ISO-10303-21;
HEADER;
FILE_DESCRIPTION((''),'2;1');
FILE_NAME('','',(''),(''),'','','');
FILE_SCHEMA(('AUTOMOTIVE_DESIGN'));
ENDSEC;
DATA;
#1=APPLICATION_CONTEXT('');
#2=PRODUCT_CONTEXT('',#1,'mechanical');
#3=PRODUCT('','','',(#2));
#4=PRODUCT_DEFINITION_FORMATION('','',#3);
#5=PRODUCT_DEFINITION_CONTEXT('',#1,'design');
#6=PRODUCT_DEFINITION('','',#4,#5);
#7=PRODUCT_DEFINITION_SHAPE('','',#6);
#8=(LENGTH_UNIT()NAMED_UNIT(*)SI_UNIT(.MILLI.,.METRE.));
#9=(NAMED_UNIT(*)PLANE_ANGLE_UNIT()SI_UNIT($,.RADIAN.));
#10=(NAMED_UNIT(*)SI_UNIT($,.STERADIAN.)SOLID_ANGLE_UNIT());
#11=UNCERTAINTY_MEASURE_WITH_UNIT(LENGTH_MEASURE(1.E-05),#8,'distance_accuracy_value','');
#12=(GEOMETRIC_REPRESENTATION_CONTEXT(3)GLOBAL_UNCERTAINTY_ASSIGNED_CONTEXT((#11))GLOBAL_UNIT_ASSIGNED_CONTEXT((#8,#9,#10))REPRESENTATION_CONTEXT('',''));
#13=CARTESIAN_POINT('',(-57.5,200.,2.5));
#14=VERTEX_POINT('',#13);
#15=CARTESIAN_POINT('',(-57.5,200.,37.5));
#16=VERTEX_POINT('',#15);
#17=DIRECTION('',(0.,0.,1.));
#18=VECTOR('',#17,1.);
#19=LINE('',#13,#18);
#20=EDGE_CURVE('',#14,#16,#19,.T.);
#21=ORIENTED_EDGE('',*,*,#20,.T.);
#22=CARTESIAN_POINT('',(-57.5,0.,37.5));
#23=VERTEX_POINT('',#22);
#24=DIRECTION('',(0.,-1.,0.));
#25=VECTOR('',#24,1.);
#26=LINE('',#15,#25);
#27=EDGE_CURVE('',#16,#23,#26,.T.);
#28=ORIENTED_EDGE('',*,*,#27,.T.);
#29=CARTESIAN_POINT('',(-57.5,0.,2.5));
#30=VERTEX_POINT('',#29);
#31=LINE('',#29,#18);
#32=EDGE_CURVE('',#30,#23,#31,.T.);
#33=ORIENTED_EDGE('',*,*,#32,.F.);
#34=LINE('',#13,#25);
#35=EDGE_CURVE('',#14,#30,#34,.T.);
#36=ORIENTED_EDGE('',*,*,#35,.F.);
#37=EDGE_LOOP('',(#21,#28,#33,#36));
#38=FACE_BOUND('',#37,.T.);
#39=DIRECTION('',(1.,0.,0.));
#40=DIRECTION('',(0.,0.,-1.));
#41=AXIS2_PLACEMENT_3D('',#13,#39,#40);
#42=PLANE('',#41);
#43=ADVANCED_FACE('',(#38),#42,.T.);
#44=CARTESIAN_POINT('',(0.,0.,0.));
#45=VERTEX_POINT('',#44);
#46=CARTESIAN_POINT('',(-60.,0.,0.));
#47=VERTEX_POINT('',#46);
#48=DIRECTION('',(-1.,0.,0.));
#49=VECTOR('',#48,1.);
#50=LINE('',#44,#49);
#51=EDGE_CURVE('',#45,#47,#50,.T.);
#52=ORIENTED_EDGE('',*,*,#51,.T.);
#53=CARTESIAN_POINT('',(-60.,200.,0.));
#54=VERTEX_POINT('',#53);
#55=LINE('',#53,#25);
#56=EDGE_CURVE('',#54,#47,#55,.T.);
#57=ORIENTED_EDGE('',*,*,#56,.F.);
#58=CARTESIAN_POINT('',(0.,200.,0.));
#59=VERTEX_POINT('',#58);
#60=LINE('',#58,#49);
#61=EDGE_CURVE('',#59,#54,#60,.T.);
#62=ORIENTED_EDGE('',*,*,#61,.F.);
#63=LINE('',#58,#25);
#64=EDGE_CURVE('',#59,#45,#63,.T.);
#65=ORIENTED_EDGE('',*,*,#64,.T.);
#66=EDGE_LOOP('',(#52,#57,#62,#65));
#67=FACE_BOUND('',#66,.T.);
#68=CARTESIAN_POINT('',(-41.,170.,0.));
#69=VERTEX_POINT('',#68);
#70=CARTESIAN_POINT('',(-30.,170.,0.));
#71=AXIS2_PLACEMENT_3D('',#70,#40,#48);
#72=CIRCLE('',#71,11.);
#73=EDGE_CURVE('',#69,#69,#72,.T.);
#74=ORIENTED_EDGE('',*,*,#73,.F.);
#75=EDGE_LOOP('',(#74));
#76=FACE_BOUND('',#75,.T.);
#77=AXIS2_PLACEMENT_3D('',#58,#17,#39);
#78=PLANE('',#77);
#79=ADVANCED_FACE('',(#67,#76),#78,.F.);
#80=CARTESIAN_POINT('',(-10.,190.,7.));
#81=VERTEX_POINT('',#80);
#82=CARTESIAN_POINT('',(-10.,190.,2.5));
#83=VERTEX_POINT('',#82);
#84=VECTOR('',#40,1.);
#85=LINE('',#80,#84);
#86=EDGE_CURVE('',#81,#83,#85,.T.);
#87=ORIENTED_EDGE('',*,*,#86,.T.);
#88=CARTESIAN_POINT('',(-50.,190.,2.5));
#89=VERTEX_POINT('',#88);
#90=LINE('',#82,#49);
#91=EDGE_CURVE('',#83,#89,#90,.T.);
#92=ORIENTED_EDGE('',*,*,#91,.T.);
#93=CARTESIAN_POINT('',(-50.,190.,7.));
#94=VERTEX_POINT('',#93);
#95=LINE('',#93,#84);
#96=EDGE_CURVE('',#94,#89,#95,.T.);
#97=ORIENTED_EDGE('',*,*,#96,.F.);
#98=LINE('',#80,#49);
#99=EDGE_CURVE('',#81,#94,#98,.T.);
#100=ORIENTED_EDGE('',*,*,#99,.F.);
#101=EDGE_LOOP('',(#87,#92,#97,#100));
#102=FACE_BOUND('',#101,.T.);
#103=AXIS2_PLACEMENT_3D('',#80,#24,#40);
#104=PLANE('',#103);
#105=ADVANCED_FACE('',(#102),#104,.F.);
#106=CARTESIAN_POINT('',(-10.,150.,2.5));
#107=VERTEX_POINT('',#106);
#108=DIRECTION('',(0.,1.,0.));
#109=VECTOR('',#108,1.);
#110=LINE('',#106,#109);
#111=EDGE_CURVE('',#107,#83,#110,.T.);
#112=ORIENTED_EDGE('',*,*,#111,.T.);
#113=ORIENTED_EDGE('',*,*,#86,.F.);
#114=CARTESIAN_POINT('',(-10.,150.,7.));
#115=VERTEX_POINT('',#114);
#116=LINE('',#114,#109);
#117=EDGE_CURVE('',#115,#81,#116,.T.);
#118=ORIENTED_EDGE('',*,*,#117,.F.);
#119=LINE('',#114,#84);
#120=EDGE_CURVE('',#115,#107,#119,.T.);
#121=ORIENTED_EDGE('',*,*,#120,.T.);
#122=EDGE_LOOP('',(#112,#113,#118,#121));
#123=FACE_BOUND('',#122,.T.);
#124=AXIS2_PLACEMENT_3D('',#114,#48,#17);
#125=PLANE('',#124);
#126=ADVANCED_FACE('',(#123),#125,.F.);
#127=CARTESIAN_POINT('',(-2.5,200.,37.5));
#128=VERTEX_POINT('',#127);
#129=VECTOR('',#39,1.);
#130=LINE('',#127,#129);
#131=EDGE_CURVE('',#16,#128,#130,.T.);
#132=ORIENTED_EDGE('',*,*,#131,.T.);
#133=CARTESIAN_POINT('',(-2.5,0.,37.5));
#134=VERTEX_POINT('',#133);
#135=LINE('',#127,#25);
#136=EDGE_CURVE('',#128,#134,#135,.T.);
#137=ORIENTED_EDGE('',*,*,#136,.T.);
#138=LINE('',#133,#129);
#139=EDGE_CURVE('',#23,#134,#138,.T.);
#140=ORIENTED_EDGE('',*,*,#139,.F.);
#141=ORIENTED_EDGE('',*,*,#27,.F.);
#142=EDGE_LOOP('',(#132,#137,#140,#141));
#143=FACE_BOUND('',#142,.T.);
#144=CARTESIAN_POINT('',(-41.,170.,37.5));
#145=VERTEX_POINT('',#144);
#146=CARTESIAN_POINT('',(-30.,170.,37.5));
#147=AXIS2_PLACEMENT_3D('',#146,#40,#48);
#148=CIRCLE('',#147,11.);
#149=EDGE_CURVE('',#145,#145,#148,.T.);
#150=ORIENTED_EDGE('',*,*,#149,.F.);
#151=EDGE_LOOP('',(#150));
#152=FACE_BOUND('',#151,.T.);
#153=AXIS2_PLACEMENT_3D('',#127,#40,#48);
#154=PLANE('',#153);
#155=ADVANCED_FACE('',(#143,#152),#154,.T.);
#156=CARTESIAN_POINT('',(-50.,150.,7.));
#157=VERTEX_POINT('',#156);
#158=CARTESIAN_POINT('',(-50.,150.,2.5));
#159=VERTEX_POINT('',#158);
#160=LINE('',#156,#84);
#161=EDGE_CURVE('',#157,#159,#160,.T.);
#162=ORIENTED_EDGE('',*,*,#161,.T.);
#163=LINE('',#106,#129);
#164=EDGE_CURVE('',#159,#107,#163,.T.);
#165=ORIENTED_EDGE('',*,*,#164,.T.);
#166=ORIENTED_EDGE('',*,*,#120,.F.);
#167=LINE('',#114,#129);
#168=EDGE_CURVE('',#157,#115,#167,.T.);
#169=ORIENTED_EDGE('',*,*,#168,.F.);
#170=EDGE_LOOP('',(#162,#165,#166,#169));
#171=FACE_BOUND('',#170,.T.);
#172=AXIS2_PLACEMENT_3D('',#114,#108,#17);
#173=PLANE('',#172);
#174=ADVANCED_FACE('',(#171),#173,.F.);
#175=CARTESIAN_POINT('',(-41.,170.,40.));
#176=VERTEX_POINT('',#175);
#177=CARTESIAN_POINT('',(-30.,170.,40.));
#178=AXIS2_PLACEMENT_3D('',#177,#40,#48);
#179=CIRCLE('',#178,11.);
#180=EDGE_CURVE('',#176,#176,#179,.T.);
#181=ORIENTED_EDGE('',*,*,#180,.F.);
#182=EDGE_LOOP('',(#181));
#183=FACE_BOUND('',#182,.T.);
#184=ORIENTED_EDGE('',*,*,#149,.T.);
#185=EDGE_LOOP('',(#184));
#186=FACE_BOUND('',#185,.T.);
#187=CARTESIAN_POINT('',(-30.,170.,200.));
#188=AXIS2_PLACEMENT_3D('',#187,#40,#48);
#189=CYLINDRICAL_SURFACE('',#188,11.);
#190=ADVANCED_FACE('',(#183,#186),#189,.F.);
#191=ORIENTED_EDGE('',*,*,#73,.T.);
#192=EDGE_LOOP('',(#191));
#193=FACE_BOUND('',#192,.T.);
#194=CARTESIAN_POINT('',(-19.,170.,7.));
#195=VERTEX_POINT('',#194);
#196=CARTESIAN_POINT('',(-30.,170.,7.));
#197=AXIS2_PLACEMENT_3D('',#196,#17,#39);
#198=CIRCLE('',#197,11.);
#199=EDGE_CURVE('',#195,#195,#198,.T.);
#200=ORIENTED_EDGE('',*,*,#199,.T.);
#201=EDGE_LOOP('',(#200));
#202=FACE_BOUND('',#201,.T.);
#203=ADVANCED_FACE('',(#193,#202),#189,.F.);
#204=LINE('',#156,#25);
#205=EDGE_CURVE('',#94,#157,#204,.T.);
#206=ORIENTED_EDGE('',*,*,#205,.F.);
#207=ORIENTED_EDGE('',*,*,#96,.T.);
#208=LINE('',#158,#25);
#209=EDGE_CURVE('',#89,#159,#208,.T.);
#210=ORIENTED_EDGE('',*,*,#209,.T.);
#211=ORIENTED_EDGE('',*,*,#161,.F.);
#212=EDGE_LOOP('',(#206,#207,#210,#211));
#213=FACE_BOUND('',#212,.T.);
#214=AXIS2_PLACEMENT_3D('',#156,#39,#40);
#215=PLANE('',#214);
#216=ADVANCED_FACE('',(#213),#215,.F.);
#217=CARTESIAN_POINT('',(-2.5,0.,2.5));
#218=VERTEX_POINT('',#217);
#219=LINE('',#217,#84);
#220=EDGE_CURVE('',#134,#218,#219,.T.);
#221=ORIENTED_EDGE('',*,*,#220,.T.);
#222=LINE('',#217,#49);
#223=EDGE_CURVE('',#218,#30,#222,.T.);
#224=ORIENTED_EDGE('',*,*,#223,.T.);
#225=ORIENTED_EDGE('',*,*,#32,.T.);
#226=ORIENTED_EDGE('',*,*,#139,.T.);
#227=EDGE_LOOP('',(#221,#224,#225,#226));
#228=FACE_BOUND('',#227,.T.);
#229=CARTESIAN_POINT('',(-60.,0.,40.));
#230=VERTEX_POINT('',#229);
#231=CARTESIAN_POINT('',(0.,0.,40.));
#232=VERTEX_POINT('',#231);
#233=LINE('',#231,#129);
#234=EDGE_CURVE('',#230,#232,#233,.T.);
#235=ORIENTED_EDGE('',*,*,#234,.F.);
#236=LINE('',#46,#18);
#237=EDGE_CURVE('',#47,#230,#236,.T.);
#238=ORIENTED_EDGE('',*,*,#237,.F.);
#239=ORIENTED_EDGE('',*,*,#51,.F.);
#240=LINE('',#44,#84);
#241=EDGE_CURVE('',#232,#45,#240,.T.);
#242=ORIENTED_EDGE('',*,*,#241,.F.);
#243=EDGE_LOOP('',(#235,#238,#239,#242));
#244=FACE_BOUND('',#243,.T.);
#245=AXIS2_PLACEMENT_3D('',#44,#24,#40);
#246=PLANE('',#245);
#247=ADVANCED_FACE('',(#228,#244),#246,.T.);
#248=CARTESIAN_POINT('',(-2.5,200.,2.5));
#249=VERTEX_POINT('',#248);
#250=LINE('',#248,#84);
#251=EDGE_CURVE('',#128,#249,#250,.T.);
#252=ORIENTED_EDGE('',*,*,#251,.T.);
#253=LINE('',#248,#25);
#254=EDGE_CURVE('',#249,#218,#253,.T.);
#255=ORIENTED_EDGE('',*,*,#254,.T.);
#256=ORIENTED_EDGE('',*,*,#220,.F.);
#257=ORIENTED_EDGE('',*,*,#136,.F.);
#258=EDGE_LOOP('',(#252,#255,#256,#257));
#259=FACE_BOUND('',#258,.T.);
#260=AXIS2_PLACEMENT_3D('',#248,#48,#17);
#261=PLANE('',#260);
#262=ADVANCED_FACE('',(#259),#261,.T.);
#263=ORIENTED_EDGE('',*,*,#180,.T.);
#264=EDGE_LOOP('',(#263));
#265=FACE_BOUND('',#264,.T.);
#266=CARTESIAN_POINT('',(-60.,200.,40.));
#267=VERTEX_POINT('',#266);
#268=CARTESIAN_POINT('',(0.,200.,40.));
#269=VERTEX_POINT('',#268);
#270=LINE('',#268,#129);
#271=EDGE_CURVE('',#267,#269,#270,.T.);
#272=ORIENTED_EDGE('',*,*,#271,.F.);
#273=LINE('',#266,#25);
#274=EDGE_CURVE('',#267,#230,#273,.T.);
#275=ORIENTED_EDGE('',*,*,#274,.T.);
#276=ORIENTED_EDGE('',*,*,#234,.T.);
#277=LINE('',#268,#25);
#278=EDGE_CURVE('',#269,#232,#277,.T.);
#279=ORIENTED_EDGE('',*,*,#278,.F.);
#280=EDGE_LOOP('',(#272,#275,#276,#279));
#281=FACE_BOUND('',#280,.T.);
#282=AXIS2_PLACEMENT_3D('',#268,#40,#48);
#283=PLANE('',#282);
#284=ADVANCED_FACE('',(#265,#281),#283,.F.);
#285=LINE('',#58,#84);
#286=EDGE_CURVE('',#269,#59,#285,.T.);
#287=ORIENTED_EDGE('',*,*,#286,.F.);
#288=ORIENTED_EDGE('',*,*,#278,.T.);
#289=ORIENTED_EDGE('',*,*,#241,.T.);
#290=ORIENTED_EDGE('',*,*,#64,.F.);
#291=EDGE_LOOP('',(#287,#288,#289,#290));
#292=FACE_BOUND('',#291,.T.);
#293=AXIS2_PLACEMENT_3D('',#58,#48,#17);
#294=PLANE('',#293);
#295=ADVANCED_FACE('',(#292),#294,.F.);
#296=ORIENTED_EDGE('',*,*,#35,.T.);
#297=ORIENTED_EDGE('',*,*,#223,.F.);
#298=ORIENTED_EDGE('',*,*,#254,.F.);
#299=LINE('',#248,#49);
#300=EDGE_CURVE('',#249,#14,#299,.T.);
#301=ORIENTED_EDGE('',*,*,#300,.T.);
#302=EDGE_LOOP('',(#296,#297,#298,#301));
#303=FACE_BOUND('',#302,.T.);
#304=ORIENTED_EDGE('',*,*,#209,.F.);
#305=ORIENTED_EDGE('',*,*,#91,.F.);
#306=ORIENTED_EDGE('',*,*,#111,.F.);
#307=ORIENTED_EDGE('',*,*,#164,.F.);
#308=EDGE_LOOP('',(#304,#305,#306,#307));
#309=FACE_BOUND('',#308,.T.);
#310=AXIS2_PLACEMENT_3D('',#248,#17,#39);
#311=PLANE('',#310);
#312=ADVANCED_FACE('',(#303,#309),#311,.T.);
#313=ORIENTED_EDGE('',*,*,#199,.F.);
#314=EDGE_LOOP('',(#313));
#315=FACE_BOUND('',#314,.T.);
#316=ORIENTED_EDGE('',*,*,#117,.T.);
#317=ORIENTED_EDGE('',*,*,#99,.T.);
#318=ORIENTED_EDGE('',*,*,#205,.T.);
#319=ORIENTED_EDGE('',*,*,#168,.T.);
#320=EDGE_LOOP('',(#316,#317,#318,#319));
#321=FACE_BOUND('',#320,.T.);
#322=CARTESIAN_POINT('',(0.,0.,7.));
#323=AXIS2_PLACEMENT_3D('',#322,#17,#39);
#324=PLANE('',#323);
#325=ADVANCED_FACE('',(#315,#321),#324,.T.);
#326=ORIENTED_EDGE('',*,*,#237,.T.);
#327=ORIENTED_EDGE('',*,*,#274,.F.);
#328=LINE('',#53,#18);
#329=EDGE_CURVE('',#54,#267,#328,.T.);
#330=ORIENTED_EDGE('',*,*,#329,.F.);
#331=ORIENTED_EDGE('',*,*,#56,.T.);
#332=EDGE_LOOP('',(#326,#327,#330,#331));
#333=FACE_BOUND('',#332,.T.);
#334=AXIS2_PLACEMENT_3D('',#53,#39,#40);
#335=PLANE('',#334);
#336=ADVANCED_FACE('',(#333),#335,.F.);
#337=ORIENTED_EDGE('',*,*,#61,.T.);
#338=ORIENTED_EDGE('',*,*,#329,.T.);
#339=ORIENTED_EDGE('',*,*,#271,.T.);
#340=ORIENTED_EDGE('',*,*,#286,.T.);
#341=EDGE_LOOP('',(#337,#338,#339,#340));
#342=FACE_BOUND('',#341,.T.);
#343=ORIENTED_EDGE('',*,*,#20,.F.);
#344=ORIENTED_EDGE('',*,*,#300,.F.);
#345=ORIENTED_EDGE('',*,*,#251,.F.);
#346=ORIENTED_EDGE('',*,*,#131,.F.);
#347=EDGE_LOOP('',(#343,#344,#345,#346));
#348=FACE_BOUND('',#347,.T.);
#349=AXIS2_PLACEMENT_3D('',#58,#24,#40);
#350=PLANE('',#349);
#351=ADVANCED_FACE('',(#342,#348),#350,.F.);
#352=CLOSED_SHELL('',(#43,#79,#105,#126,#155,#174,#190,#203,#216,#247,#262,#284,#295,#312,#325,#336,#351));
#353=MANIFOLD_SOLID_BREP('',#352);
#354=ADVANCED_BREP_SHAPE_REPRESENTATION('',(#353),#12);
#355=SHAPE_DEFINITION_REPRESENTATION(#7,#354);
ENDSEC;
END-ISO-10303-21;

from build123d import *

# Parameters (mm, degrees)
SKETCH1_W           = 60
SKETCH1_H           = 40
SKETCH1_W_2         = 55
SKETCH1_H_2         = 35
BOSS_EXTRUDE1_DEPTH = 200
CUT_EXTRUDE1_DEPTH  = 200
SKETCH3_W           = 40
SKETCH3_H           = 40
SKETCH3_R           = 11
BOSS_EXTRUDE2_DEPTH = 4.5


with BuildPart() as part:
    # Sketch1 → Boss-Extrude1 (new body)
    with BuildSketch(Plane(origin=(0, 0, 0), x_dir=(1, 0, 0), z_dir=(0, 1, 0))):
        with Locations((-30, -20)):
            Rectangle(SKETCH1_W, SKETCH1_H)
        with Locations((-30, -20)):
            Rectangle(SKETCH1_W_2, SKETCH1_H_2, mode=Mode.SUBTRACT)
    extrude(amount=BOSS_EXTRUDE1_DEPTH)

    # Sketch2 → Cut-Extrude1 (cut)
    with BuildSketch(Plane(origin=(0, 0, 0), x_dir=(-1, 0, 0), z_dir=(0, 0, -1))):
        with BuildLine():
            ThreePointArc((41, 170), (34.209518, 180.162675), (22.221825, 177.778175))
            Line((22.221825, 177.778175), (37.778175, 162.221825))
            ThreePointArc((37.778175, 162.221825), (40.162675, 165.790482), (41, 170))
        make_face()
        with BuildLine():
            Line((37.778175, 162.221825), (22.221825, 177.778175))
            ThreePointArc((22.221825, 177.778175), (22.221825, 162.221825), (37.778175, 162.221825))
        make_face()
    extrude(amount=-CUT_EXTRUDE1_DEPTH, mode=Mode.SUBTRACT)

    # Sketch3 → Boss-Extrude2 (add)
    with BuildSketch(Plane.XY.offset(2.5)):
        with Locations((-30, 170)):
            Rectangle(SKETCH3_W, SKETCH3_H)
        with Locations((-30, 170)):
            Circle(SKETCH3_R, mode=Mode.SUBTRACT)
    extrude(amount=BOSS_EXTRUDE2_DEPTH)


solid = part.part
